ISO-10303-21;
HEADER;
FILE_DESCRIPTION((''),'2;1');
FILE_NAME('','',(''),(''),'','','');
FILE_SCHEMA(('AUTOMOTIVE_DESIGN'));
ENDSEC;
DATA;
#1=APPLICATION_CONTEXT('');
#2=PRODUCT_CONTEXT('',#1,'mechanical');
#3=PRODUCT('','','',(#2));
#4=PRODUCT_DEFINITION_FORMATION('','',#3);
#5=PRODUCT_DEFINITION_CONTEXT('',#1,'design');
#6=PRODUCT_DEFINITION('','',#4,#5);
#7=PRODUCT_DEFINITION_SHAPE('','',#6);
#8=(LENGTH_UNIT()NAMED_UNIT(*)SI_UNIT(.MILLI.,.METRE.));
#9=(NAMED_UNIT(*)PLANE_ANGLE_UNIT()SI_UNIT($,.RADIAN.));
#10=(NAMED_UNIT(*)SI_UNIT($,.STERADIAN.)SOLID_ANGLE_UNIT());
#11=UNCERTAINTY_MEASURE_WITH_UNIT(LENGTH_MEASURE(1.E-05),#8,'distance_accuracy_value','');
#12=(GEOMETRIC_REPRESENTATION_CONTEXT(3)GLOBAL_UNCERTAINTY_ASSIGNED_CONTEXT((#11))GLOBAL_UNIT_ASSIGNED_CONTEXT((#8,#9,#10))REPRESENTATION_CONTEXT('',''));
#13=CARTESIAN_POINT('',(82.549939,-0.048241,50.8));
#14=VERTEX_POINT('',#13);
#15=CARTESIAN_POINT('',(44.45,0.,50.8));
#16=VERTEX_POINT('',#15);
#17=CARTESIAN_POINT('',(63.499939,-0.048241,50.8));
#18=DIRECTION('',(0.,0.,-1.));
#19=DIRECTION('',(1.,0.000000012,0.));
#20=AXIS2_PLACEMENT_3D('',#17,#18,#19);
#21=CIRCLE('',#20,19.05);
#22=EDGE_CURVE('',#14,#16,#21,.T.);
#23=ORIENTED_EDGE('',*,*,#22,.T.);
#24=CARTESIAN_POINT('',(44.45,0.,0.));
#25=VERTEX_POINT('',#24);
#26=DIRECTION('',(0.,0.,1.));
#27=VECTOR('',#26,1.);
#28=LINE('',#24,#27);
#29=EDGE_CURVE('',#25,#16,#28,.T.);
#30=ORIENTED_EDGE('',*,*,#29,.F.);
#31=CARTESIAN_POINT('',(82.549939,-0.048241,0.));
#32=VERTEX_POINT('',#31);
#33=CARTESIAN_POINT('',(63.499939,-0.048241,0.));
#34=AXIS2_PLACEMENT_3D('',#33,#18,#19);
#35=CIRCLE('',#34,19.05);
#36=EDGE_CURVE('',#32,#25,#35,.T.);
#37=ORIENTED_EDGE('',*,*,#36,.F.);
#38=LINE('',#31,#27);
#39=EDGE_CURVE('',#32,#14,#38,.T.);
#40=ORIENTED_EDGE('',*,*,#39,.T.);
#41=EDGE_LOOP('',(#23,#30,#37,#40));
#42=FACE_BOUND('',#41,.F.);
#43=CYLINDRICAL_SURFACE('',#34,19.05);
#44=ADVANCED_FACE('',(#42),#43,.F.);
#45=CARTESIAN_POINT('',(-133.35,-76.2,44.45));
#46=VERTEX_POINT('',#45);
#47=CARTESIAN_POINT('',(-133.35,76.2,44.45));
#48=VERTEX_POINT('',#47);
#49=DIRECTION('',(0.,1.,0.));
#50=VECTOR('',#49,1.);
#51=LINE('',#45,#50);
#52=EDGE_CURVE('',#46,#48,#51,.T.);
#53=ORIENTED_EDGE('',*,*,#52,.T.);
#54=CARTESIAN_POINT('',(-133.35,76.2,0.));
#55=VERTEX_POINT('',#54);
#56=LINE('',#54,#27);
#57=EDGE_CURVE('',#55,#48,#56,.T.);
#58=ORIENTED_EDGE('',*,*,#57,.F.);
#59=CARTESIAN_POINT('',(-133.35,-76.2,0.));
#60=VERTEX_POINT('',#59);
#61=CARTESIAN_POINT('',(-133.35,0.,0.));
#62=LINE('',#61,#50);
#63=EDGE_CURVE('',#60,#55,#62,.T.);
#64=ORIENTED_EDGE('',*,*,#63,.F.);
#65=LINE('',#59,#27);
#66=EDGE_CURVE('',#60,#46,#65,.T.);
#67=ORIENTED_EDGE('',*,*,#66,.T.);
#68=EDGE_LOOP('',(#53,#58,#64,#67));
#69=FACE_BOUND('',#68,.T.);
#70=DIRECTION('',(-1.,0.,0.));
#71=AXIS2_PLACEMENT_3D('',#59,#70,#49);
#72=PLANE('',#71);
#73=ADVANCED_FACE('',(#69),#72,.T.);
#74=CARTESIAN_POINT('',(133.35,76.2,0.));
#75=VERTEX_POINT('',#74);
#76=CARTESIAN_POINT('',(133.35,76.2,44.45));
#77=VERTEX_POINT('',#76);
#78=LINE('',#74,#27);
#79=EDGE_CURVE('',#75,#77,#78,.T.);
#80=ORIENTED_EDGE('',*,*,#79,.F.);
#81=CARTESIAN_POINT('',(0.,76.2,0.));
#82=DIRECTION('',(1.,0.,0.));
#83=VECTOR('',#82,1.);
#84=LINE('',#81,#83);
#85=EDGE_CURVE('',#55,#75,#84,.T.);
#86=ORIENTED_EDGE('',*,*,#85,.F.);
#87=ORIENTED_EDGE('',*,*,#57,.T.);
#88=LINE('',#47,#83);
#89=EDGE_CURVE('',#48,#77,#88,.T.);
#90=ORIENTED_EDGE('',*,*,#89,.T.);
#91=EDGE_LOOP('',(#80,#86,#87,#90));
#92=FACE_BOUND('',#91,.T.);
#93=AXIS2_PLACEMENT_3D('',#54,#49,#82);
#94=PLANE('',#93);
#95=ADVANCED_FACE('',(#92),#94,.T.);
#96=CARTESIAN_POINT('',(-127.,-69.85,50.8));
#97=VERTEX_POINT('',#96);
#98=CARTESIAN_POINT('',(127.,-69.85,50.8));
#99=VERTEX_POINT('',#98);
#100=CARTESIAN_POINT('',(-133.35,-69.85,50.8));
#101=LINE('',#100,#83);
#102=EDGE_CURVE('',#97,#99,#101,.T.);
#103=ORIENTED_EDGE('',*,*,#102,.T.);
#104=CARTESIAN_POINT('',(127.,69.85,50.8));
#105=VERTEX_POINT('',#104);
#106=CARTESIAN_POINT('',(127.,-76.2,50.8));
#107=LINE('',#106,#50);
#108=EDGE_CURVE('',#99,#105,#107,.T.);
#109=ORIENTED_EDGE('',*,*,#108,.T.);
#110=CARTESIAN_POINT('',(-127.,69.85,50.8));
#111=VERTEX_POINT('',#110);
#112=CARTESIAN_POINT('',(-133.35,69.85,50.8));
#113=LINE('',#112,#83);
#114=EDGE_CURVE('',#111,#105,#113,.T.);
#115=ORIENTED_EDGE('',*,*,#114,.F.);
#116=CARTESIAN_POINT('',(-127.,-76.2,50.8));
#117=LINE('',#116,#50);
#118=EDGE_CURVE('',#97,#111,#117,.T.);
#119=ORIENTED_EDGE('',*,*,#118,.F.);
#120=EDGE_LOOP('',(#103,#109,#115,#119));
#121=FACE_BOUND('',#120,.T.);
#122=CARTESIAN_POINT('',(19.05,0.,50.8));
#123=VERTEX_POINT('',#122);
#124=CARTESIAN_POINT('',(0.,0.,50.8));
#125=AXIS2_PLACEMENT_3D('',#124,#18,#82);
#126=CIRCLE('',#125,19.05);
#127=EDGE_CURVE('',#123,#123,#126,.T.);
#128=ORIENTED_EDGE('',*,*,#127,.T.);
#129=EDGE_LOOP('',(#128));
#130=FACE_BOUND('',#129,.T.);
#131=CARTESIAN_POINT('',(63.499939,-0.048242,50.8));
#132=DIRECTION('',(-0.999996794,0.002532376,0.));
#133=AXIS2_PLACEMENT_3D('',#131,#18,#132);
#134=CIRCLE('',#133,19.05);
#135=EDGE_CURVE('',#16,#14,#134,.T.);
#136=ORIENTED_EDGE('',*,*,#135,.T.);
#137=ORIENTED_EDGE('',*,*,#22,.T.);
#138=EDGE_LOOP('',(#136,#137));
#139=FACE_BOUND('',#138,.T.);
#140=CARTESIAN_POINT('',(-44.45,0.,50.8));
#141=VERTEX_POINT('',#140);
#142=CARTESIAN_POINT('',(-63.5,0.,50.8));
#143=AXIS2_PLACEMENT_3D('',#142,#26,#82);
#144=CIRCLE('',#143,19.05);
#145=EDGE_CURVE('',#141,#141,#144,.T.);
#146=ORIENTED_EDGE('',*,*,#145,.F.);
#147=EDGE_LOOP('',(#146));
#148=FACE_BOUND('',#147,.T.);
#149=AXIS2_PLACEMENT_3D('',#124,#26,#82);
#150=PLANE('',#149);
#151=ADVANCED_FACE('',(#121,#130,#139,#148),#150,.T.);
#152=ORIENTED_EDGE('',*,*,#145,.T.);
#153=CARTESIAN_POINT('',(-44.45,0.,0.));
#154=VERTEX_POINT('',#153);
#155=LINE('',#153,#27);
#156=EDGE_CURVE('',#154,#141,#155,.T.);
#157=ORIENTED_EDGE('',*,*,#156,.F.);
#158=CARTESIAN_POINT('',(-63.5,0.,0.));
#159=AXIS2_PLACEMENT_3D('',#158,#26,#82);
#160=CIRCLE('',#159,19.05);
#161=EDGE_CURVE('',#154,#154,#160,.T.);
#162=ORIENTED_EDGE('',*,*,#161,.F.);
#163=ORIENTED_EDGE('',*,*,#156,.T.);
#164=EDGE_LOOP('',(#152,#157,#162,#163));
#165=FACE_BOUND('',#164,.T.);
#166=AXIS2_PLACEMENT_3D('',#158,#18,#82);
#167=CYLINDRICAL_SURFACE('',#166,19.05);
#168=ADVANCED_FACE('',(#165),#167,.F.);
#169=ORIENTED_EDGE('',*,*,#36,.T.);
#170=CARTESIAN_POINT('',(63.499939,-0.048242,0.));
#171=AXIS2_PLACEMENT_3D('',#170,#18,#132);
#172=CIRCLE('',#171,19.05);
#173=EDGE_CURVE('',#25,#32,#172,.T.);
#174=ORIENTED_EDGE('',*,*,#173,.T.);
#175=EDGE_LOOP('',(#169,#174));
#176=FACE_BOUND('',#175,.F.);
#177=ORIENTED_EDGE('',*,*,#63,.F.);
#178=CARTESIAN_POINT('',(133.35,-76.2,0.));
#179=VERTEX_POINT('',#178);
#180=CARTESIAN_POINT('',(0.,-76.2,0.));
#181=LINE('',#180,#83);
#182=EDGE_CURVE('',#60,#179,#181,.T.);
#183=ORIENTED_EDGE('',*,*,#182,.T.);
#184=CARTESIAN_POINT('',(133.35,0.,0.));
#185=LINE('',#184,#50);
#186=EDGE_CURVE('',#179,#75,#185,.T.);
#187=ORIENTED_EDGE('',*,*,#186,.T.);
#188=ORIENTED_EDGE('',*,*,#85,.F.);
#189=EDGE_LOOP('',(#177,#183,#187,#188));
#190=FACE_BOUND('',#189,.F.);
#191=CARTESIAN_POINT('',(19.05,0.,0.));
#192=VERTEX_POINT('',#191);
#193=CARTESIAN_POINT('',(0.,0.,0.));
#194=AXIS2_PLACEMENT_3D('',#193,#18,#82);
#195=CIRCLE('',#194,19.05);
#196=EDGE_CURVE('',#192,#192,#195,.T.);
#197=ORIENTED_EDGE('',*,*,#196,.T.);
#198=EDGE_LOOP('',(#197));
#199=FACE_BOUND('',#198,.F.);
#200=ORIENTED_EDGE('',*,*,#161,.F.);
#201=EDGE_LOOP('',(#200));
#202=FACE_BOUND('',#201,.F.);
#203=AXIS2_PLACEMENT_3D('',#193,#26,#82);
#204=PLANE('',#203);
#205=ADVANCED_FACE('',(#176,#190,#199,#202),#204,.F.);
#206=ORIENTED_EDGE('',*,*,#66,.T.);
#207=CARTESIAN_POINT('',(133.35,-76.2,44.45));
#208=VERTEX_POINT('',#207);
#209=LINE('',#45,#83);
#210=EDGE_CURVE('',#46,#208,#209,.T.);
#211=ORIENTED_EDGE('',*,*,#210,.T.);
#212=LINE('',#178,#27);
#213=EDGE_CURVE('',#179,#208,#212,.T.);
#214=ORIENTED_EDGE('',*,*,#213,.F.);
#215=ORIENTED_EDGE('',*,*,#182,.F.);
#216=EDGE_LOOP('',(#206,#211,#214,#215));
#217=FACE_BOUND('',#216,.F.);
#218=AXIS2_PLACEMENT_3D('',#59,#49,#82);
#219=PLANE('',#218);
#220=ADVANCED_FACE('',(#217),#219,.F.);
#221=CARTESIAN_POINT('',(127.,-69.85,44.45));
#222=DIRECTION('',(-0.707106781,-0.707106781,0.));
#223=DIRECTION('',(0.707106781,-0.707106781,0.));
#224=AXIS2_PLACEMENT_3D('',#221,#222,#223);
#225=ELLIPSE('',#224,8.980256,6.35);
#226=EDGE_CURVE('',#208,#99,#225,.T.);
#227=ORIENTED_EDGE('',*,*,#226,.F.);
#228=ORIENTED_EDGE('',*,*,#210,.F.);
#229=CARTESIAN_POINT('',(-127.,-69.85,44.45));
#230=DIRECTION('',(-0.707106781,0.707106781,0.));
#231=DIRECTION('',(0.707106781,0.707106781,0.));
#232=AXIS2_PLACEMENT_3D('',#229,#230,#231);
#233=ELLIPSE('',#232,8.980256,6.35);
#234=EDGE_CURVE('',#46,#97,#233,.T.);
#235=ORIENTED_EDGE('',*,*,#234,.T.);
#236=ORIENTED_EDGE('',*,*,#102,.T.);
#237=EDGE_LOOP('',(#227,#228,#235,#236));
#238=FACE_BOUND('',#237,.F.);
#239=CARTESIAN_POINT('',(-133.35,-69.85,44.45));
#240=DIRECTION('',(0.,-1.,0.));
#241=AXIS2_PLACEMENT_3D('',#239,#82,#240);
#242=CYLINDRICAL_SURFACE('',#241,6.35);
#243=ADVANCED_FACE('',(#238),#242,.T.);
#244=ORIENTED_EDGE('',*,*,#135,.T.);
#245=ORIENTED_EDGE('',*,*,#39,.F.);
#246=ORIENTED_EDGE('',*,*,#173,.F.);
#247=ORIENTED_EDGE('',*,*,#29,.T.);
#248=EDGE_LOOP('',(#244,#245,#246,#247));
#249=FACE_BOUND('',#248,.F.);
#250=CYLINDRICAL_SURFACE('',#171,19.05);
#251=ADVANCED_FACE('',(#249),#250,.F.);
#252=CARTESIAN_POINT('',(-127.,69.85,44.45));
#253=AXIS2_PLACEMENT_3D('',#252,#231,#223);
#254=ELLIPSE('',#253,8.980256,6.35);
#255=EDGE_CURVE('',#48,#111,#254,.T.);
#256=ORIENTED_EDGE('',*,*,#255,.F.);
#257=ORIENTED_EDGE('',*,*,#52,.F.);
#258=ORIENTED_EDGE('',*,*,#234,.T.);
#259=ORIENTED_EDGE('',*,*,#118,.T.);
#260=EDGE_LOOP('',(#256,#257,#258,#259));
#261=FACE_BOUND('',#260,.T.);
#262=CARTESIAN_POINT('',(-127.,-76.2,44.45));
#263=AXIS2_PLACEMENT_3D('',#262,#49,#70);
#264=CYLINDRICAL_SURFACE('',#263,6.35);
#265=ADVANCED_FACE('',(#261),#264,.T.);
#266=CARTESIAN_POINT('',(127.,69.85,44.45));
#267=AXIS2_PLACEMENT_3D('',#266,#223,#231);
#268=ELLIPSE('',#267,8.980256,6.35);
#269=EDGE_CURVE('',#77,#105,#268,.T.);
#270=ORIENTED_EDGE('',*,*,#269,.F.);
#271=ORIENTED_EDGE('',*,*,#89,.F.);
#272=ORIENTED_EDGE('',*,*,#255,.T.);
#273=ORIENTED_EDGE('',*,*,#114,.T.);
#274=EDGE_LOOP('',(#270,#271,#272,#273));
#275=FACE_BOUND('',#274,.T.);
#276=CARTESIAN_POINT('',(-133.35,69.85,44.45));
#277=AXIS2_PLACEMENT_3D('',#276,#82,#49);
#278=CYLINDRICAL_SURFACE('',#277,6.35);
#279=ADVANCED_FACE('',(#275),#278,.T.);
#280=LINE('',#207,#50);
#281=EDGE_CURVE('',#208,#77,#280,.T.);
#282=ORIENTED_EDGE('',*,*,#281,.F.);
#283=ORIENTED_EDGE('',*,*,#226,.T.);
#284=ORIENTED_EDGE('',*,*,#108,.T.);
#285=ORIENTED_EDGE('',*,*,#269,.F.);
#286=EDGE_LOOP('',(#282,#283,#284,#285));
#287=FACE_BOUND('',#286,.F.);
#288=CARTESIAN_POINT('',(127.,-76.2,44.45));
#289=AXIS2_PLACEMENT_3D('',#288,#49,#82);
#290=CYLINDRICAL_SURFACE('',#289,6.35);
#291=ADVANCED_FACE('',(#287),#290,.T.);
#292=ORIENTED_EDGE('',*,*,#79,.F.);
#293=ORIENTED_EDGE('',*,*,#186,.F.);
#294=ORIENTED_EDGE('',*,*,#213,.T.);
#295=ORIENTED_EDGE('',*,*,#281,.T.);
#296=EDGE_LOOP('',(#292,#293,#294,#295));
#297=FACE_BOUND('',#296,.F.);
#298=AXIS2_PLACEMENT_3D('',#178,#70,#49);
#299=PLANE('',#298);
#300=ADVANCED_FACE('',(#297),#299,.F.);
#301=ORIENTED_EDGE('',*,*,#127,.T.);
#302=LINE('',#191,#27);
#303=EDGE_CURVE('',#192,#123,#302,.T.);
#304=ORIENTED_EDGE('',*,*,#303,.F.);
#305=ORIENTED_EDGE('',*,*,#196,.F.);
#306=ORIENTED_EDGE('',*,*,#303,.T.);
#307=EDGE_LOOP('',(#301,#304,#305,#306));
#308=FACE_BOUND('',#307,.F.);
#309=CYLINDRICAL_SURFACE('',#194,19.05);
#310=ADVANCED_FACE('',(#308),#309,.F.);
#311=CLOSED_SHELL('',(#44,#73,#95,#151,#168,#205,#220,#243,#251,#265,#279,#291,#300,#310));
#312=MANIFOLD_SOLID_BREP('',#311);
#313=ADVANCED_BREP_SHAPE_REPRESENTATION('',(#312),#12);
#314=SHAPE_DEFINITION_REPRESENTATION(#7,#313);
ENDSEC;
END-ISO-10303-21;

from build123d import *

# Parameters (mm, degrees)
F0_W     = 266.7
F0_H     = 152.4
F0_R     = 19.05
F1_DEPTH = 50.8
F2_R     = 6.35


with BuildPart() as f1:
    # F0 (on Top) → F1 (new body)
    with BuildSketch(Plane.XY):
        Rectangle(F0_W, F0_H)
        with BuildLine():
            ThreePointArc((82.549939, -0.048241), (63.475818, -19.098226), (44.45, 0))
            ThreePointArc((44.45, 0), (63.52406, 19.001743), (82.549939, -0.048241))
        make_face(mode=Mode.SUBTRACT)
        with Locations((-63.5, 0)):
            Circle(F0_R, mode=Mode.SUBTRACT)
        with BuildLine():
            ThreePointArc((-19.05, 0), (0, 19.05), (19.05, 0))
            ThreePointArc((19.05, 0), (0, -19.05), (-19.05, 0))
        make_face(mode=Mode.SUBTRACT)
    extrude(amount=F1_DEPTH)

    # F2
    f2_edges = [f1.edges().sort_by_distance(p)[0] for p in [
        (0, -76.2, 50.8),
        (133.35, 0, 50.8),
        (0, 76.2, 50.8),
        (-133.35, 0, 50.8),
    ]]
    fillet(f2_edges, radius=F2_R)


solid = f1.part
